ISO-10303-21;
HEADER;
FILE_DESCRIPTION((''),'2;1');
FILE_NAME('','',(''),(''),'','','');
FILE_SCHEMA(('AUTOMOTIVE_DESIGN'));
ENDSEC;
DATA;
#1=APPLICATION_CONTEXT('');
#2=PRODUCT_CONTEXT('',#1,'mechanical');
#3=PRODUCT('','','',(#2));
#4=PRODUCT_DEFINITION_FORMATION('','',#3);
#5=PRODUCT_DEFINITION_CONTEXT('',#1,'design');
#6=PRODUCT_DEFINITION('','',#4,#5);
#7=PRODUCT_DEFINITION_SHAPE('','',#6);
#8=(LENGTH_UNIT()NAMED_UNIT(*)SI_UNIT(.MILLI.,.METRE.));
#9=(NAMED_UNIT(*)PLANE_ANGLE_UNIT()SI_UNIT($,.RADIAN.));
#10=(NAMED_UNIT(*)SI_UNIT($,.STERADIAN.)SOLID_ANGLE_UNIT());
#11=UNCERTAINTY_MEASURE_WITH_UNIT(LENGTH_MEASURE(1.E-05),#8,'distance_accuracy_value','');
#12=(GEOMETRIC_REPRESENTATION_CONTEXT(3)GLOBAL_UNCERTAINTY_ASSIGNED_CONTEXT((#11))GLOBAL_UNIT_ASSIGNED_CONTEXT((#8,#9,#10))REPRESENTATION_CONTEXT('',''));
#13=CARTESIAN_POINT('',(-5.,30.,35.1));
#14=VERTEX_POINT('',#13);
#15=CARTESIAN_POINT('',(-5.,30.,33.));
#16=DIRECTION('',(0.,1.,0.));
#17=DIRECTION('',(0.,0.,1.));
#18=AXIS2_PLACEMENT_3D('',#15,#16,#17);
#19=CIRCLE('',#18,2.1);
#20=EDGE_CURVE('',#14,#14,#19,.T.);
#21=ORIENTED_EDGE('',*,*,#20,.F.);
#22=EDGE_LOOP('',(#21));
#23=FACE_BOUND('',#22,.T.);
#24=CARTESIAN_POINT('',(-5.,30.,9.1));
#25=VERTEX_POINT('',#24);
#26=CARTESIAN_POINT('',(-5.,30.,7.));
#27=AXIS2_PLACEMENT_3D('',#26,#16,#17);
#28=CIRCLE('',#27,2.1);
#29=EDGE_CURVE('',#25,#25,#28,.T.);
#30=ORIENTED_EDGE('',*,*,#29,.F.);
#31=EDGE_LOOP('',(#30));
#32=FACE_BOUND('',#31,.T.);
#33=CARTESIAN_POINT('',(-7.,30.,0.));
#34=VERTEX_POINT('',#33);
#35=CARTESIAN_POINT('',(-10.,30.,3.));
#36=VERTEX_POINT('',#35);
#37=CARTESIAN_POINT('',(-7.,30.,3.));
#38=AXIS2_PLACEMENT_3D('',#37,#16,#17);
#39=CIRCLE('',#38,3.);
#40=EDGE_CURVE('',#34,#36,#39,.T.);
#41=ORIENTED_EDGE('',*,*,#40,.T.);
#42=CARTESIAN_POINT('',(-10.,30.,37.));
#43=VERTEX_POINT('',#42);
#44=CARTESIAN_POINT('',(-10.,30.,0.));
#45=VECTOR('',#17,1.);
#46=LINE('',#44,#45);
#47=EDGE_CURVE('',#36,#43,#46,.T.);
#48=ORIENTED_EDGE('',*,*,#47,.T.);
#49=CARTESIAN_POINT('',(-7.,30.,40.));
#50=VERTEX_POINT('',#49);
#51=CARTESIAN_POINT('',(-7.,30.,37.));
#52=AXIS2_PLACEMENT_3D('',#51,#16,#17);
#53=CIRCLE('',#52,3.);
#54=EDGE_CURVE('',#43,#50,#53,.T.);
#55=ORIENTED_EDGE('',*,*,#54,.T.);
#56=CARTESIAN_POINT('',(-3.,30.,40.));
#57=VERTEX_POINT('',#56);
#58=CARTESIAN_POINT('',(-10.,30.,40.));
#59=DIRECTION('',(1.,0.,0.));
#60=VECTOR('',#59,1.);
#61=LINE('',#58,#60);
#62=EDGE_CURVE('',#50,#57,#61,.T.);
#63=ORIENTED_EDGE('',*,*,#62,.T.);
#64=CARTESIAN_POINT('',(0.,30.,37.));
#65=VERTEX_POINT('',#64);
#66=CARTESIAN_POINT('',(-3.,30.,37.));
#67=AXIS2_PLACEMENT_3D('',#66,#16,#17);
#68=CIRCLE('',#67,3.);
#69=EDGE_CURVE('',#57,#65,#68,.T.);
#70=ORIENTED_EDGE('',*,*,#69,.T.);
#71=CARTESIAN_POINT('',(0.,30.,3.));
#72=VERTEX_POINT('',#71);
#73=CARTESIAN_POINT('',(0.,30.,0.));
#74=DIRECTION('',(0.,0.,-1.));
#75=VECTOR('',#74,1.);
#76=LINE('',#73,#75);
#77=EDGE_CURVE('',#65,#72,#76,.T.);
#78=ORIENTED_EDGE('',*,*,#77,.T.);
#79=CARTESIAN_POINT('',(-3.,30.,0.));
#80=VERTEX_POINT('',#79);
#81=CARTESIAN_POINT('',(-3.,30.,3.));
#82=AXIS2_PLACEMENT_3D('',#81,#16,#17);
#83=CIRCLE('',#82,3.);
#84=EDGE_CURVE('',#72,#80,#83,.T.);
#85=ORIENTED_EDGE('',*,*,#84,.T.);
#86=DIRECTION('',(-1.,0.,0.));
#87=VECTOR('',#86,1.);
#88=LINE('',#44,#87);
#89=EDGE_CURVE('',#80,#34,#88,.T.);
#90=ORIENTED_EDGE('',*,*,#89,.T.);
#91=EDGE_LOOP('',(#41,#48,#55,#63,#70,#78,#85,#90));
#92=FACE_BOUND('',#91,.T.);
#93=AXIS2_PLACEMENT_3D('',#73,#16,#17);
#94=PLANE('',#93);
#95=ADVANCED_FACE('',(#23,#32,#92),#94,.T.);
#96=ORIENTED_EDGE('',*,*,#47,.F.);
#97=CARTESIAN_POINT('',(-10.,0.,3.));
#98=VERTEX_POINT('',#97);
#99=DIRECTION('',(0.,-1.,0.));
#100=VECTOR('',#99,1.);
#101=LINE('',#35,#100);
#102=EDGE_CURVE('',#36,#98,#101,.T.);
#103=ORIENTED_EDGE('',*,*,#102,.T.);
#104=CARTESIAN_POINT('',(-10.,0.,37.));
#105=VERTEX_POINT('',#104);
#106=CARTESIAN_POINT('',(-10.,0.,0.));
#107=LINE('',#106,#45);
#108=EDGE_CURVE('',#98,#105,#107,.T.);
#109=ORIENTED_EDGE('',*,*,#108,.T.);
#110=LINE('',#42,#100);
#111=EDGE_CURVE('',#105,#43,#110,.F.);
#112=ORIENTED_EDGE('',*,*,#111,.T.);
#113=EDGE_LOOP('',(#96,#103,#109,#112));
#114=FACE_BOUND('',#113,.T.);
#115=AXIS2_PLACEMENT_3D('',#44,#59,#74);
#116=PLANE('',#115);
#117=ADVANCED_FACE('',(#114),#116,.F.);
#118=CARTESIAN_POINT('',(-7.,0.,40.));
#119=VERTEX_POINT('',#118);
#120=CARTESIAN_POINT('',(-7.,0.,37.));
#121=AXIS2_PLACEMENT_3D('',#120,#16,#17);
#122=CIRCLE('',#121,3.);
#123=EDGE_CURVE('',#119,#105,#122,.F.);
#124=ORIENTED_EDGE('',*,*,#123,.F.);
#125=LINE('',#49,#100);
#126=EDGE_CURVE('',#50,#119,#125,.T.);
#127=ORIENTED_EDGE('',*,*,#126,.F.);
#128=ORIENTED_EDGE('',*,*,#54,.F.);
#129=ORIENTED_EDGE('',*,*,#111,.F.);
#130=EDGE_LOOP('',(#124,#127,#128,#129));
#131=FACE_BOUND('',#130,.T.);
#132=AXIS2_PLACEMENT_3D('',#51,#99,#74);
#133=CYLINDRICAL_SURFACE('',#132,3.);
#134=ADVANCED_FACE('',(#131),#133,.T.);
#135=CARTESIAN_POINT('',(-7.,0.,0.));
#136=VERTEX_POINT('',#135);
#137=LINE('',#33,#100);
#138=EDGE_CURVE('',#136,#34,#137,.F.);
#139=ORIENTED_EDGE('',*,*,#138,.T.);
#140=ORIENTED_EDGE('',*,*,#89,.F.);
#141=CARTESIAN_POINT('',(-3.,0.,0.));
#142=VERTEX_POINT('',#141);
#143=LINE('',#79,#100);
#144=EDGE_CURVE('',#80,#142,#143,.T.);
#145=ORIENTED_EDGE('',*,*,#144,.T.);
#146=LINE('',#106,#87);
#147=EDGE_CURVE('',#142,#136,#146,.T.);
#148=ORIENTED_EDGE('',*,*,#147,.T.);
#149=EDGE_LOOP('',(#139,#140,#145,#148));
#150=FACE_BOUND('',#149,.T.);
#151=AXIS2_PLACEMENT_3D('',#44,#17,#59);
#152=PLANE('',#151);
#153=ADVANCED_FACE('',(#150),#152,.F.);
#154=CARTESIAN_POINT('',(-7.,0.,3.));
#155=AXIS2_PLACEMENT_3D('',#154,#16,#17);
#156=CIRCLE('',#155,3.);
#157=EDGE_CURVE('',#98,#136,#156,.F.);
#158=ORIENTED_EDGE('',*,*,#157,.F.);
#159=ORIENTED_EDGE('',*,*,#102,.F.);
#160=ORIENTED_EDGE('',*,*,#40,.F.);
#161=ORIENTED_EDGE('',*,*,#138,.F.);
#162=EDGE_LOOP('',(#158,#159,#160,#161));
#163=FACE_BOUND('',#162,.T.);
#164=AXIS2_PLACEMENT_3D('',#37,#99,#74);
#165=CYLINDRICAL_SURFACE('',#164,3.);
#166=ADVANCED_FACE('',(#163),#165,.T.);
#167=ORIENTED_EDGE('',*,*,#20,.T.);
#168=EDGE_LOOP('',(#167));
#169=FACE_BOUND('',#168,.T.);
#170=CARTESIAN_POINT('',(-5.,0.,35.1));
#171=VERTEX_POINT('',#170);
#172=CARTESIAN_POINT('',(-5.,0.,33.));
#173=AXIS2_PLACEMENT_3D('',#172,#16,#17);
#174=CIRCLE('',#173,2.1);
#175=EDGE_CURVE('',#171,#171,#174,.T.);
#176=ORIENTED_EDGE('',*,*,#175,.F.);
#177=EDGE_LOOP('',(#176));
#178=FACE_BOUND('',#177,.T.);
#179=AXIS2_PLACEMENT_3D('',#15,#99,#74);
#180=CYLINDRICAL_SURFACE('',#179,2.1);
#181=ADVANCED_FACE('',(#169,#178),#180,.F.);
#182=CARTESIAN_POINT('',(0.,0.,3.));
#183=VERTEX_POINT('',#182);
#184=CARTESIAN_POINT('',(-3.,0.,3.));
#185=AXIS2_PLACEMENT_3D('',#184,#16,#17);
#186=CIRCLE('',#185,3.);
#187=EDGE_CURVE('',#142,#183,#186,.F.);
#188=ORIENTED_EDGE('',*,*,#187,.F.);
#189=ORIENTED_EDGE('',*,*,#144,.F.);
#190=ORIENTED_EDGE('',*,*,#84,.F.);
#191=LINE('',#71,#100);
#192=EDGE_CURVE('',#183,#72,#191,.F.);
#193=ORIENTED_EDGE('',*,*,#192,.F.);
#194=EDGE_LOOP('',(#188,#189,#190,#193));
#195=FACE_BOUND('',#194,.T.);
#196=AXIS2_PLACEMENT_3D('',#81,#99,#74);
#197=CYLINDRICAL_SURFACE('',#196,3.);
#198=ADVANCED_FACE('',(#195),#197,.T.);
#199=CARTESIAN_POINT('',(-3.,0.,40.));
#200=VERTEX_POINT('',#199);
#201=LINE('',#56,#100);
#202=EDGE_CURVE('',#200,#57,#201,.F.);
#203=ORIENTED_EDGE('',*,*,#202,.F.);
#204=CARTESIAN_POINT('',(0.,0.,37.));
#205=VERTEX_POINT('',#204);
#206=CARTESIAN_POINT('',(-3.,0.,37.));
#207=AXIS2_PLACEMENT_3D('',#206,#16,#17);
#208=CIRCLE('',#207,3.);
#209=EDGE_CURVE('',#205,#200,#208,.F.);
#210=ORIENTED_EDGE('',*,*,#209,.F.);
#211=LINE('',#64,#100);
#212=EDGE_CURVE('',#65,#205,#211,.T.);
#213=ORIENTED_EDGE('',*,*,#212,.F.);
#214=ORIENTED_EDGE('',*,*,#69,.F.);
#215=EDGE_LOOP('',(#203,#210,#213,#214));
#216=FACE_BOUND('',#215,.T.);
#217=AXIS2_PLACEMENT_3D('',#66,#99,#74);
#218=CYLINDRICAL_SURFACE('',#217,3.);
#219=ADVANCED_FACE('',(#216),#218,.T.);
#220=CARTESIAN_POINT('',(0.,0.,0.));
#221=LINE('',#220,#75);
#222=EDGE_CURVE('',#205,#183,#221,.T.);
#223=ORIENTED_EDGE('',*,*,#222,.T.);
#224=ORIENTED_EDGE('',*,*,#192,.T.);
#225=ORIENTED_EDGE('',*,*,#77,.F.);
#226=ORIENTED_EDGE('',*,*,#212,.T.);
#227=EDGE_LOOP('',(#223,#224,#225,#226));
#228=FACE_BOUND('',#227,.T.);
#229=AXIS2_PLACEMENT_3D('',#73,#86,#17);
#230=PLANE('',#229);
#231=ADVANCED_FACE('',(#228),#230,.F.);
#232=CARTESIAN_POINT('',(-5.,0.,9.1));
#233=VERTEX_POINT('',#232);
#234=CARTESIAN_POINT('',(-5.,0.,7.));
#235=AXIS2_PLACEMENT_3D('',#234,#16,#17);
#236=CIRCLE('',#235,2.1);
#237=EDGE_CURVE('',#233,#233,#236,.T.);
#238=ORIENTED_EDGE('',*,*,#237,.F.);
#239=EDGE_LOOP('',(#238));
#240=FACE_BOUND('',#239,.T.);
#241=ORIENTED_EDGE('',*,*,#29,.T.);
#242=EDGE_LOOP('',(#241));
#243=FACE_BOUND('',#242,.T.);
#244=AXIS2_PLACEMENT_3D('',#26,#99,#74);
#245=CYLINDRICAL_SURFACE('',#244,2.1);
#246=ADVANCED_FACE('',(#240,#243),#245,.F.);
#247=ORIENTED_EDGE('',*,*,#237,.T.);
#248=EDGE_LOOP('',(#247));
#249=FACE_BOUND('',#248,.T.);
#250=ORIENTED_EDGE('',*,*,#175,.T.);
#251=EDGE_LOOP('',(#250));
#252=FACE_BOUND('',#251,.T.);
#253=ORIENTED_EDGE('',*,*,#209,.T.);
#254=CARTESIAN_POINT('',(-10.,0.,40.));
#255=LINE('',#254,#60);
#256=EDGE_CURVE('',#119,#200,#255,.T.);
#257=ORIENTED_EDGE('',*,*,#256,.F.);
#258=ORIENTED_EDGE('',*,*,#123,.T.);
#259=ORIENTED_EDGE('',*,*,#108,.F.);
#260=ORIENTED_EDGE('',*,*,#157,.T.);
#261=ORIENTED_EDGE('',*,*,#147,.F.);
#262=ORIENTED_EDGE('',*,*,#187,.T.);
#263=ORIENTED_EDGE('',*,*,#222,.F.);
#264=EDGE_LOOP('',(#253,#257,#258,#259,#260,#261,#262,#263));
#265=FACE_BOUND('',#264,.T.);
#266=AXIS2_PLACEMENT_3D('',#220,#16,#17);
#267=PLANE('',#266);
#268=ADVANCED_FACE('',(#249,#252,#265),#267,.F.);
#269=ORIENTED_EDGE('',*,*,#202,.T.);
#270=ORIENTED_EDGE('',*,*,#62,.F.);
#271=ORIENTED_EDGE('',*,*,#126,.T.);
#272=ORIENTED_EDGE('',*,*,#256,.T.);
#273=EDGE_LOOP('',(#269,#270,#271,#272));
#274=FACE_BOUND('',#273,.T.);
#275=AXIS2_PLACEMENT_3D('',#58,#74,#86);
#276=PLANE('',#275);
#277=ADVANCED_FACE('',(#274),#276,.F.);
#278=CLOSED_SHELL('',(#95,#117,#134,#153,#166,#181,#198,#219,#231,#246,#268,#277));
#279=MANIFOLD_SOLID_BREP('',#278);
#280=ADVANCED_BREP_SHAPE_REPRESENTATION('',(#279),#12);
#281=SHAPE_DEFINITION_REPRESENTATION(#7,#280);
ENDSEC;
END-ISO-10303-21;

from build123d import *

# Parameters (mm, degrees)
SKETCH_1_W      = 10
SKETCH_1_H      = 40
SKETCH_1_R      = 2.1
EXTRUDE_1_DEPTH = 30
FILLET_1_R      = 3


with BuildPart() as part:
    # 草图1 → 凸台-拉伸1 (new body)
    with BuildSketch(Plane(origin=(0, 0, 0), x_dir=(1, 0, 0), z_dir=(0, 1, 0))):
        with Locations((-5, -20)):
            Rectangle(SKETCH_1_W, SKETCH_1_H)
        with Locations((-5, -7)):
            Circle(SKETCH_1_R, mode=Mode.SUBTRACT)
        with Locations((-5, -33)):
            Circle(SKETCH_1_R, mode=Mode.SUBTRACT)
    extrude(amount=EXTRUDE_1_DEPTH)

    # 圆角1
    fillet_1_edges = [part.edges().sort_by_distance(p)[0] for p in [
        (-10, 15, 0),
        (0, 15, 0),
        (0, 15, 40),
        (-10, 15, 40),
    ]]
    fillet(fillet_1_edges, radius=FILLET_1_R)


solid = part.part
